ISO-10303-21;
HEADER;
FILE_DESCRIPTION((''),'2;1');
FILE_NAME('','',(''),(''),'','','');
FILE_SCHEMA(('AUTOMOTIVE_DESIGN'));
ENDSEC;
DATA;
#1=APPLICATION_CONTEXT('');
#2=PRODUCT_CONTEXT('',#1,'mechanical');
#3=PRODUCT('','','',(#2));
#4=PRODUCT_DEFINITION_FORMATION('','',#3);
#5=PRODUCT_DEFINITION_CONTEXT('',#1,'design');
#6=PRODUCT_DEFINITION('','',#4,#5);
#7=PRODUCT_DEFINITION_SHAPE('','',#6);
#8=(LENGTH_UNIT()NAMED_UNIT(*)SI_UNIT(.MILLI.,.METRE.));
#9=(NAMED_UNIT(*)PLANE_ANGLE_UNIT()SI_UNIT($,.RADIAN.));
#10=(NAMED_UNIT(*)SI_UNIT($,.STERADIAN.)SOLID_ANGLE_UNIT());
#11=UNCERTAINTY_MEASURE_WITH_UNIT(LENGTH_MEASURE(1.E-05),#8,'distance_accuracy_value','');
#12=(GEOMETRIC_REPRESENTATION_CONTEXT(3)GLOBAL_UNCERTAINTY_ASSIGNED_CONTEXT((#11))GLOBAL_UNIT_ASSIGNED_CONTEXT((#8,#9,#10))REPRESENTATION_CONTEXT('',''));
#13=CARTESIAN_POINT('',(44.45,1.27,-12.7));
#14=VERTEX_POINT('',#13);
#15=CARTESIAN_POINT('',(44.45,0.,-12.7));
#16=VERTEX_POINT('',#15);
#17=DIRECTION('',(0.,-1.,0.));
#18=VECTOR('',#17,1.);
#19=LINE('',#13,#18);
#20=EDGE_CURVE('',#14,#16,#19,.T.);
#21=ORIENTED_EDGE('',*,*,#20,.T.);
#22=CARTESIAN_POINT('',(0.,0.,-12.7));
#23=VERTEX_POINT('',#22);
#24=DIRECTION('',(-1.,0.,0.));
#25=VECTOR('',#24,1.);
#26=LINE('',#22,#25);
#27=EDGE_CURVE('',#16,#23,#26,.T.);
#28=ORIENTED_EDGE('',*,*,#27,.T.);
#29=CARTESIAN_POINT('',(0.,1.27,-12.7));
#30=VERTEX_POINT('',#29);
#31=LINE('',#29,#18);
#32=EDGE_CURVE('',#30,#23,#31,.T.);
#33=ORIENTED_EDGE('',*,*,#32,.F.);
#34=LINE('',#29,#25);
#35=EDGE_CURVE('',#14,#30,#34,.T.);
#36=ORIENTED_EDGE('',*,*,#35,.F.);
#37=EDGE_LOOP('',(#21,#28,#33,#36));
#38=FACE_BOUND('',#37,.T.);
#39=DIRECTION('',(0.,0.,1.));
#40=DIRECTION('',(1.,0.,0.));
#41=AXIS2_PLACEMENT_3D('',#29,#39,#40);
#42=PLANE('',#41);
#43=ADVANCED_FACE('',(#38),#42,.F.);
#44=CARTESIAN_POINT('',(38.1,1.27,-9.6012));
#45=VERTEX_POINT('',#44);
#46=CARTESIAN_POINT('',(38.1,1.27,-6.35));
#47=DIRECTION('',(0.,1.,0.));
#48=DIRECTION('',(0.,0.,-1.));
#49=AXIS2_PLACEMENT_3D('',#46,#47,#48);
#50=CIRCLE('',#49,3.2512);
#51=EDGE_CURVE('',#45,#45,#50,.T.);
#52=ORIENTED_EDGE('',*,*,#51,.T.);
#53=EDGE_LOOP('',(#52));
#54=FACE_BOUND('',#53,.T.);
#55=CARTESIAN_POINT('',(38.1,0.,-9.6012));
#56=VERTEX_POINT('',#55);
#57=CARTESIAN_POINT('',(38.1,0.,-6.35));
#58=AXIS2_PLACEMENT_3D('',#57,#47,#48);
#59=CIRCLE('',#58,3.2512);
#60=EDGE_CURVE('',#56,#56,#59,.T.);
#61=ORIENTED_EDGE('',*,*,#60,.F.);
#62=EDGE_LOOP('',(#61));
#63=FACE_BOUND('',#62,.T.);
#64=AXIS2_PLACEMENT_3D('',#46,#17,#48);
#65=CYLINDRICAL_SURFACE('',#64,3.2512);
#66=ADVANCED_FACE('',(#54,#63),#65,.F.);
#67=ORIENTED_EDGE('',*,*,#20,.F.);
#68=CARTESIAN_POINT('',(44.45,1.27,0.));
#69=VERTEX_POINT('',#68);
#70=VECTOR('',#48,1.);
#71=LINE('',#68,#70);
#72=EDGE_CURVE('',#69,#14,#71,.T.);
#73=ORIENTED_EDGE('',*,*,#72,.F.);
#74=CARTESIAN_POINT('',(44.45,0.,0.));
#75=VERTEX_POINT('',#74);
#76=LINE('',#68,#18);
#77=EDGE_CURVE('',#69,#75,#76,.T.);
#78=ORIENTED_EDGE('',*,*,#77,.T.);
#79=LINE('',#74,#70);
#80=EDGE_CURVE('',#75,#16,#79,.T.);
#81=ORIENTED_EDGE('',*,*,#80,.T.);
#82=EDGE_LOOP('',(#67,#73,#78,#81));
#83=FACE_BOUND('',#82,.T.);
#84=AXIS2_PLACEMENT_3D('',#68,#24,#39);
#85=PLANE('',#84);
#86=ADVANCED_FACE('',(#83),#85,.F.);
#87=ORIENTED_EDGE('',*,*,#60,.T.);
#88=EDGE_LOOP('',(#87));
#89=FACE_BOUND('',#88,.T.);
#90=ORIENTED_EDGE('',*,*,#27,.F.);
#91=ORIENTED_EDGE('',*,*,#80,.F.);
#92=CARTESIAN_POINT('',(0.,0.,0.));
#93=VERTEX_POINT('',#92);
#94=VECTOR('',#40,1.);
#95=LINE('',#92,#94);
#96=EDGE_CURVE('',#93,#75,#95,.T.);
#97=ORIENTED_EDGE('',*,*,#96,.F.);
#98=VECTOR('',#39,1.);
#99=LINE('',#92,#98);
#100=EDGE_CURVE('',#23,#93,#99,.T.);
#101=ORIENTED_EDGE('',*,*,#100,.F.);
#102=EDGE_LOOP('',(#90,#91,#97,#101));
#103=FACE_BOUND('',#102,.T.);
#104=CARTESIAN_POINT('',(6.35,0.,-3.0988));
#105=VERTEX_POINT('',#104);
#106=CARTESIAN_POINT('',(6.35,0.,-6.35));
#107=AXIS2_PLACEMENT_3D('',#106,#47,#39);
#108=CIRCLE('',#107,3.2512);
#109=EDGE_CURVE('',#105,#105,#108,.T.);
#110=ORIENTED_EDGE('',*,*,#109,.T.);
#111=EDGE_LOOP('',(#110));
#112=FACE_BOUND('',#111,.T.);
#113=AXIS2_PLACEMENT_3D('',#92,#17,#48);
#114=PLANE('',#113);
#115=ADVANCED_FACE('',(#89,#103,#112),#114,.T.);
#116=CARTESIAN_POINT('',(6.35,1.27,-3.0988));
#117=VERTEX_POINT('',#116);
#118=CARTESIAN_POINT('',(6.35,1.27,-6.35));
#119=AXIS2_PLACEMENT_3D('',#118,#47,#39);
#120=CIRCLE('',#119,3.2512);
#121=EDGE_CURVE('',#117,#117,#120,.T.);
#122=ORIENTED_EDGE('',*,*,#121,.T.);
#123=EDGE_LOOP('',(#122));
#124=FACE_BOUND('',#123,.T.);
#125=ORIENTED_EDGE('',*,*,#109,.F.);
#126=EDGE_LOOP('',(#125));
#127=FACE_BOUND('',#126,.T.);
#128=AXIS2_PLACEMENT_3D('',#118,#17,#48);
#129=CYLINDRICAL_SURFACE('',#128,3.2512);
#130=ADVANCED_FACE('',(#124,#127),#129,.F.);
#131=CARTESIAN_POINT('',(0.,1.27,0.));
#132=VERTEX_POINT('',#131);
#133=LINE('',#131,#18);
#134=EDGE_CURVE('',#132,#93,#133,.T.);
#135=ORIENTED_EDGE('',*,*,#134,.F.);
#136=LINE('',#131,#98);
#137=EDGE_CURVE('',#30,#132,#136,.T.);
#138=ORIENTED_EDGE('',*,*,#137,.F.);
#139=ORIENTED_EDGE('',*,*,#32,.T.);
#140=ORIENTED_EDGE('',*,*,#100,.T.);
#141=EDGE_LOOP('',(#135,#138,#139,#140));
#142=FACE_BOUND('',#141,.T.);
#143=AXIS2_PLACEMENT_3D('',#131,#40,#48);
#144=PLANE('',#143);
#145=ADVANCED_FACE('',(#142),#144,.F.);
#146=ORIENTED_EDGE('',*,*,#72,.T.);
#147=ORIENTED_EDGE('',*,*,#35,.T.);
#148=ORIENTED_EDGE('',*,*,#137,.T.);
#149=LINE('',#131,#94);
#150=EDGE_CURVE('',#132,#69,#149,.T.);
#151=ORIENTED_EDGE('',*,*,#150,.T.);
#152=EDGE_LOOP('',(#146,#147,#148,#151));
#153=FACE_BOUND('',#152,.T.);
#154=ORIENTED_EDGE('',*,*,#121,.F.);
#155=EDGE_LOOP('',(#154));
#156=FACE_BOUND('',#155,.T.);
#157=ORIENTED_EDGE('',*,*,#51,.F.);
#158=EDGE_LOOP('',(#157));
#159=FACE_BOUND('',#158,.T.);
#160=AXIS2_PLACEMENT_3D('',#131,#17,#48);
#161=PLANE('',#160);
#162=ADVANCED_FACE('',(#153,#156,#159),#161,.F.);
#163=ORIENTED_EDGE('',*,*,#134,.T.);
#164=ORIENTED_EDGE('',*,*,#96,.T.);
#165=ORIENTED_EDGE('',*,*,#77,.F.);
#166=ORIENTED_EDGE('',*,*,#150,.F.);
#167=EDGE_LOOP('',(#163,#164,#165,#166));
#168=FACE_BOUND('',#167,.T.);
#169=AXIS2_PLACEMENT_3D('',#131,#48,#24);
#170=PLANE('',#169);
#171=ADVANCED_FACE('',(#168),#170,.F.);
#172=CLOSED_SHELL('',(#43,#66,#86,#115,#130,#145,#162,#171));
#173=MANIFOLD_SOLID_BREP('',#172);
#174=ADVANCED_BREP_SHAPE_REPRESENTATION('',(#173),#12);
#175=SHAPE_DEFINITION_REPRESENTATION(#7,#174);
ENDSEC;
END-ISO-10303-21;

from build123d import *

# Parameters (mm, degrees)
SKETCH1_W           = 44.45
SKETCH1_H           = 12.7
SKETCH1_R           = 3.2512
BOSS_EXTRUDE1_DEPTH = 1.27


with BuildPart() as part:
    # Sketch1 → Boss-Extrude1 (new body)
    with BuildSketch(Plane(origin=(0, 0, 0), x_dir=(1, 0, 0), z_dir=(0, 1, 0))):
        with Locations((22.225, 6.35)):
            Rectangle(SKETCH1_W, SKETCH1_H)
        with Locations(Location((6.35, 6.35, 0), (0, 0, 270))):
            Circle(SKETCH1_R, mode=Mode.SUBTRACT)
        with Locations(Location((38.1, 6.35, 0), (0, 0, 90))):
            Circle(SKETCH1_R, mode=Mode.SUBTRACT)
    extrude(amount=BOSS_EXTRUDE1_DEPTH)


solid = part.part
